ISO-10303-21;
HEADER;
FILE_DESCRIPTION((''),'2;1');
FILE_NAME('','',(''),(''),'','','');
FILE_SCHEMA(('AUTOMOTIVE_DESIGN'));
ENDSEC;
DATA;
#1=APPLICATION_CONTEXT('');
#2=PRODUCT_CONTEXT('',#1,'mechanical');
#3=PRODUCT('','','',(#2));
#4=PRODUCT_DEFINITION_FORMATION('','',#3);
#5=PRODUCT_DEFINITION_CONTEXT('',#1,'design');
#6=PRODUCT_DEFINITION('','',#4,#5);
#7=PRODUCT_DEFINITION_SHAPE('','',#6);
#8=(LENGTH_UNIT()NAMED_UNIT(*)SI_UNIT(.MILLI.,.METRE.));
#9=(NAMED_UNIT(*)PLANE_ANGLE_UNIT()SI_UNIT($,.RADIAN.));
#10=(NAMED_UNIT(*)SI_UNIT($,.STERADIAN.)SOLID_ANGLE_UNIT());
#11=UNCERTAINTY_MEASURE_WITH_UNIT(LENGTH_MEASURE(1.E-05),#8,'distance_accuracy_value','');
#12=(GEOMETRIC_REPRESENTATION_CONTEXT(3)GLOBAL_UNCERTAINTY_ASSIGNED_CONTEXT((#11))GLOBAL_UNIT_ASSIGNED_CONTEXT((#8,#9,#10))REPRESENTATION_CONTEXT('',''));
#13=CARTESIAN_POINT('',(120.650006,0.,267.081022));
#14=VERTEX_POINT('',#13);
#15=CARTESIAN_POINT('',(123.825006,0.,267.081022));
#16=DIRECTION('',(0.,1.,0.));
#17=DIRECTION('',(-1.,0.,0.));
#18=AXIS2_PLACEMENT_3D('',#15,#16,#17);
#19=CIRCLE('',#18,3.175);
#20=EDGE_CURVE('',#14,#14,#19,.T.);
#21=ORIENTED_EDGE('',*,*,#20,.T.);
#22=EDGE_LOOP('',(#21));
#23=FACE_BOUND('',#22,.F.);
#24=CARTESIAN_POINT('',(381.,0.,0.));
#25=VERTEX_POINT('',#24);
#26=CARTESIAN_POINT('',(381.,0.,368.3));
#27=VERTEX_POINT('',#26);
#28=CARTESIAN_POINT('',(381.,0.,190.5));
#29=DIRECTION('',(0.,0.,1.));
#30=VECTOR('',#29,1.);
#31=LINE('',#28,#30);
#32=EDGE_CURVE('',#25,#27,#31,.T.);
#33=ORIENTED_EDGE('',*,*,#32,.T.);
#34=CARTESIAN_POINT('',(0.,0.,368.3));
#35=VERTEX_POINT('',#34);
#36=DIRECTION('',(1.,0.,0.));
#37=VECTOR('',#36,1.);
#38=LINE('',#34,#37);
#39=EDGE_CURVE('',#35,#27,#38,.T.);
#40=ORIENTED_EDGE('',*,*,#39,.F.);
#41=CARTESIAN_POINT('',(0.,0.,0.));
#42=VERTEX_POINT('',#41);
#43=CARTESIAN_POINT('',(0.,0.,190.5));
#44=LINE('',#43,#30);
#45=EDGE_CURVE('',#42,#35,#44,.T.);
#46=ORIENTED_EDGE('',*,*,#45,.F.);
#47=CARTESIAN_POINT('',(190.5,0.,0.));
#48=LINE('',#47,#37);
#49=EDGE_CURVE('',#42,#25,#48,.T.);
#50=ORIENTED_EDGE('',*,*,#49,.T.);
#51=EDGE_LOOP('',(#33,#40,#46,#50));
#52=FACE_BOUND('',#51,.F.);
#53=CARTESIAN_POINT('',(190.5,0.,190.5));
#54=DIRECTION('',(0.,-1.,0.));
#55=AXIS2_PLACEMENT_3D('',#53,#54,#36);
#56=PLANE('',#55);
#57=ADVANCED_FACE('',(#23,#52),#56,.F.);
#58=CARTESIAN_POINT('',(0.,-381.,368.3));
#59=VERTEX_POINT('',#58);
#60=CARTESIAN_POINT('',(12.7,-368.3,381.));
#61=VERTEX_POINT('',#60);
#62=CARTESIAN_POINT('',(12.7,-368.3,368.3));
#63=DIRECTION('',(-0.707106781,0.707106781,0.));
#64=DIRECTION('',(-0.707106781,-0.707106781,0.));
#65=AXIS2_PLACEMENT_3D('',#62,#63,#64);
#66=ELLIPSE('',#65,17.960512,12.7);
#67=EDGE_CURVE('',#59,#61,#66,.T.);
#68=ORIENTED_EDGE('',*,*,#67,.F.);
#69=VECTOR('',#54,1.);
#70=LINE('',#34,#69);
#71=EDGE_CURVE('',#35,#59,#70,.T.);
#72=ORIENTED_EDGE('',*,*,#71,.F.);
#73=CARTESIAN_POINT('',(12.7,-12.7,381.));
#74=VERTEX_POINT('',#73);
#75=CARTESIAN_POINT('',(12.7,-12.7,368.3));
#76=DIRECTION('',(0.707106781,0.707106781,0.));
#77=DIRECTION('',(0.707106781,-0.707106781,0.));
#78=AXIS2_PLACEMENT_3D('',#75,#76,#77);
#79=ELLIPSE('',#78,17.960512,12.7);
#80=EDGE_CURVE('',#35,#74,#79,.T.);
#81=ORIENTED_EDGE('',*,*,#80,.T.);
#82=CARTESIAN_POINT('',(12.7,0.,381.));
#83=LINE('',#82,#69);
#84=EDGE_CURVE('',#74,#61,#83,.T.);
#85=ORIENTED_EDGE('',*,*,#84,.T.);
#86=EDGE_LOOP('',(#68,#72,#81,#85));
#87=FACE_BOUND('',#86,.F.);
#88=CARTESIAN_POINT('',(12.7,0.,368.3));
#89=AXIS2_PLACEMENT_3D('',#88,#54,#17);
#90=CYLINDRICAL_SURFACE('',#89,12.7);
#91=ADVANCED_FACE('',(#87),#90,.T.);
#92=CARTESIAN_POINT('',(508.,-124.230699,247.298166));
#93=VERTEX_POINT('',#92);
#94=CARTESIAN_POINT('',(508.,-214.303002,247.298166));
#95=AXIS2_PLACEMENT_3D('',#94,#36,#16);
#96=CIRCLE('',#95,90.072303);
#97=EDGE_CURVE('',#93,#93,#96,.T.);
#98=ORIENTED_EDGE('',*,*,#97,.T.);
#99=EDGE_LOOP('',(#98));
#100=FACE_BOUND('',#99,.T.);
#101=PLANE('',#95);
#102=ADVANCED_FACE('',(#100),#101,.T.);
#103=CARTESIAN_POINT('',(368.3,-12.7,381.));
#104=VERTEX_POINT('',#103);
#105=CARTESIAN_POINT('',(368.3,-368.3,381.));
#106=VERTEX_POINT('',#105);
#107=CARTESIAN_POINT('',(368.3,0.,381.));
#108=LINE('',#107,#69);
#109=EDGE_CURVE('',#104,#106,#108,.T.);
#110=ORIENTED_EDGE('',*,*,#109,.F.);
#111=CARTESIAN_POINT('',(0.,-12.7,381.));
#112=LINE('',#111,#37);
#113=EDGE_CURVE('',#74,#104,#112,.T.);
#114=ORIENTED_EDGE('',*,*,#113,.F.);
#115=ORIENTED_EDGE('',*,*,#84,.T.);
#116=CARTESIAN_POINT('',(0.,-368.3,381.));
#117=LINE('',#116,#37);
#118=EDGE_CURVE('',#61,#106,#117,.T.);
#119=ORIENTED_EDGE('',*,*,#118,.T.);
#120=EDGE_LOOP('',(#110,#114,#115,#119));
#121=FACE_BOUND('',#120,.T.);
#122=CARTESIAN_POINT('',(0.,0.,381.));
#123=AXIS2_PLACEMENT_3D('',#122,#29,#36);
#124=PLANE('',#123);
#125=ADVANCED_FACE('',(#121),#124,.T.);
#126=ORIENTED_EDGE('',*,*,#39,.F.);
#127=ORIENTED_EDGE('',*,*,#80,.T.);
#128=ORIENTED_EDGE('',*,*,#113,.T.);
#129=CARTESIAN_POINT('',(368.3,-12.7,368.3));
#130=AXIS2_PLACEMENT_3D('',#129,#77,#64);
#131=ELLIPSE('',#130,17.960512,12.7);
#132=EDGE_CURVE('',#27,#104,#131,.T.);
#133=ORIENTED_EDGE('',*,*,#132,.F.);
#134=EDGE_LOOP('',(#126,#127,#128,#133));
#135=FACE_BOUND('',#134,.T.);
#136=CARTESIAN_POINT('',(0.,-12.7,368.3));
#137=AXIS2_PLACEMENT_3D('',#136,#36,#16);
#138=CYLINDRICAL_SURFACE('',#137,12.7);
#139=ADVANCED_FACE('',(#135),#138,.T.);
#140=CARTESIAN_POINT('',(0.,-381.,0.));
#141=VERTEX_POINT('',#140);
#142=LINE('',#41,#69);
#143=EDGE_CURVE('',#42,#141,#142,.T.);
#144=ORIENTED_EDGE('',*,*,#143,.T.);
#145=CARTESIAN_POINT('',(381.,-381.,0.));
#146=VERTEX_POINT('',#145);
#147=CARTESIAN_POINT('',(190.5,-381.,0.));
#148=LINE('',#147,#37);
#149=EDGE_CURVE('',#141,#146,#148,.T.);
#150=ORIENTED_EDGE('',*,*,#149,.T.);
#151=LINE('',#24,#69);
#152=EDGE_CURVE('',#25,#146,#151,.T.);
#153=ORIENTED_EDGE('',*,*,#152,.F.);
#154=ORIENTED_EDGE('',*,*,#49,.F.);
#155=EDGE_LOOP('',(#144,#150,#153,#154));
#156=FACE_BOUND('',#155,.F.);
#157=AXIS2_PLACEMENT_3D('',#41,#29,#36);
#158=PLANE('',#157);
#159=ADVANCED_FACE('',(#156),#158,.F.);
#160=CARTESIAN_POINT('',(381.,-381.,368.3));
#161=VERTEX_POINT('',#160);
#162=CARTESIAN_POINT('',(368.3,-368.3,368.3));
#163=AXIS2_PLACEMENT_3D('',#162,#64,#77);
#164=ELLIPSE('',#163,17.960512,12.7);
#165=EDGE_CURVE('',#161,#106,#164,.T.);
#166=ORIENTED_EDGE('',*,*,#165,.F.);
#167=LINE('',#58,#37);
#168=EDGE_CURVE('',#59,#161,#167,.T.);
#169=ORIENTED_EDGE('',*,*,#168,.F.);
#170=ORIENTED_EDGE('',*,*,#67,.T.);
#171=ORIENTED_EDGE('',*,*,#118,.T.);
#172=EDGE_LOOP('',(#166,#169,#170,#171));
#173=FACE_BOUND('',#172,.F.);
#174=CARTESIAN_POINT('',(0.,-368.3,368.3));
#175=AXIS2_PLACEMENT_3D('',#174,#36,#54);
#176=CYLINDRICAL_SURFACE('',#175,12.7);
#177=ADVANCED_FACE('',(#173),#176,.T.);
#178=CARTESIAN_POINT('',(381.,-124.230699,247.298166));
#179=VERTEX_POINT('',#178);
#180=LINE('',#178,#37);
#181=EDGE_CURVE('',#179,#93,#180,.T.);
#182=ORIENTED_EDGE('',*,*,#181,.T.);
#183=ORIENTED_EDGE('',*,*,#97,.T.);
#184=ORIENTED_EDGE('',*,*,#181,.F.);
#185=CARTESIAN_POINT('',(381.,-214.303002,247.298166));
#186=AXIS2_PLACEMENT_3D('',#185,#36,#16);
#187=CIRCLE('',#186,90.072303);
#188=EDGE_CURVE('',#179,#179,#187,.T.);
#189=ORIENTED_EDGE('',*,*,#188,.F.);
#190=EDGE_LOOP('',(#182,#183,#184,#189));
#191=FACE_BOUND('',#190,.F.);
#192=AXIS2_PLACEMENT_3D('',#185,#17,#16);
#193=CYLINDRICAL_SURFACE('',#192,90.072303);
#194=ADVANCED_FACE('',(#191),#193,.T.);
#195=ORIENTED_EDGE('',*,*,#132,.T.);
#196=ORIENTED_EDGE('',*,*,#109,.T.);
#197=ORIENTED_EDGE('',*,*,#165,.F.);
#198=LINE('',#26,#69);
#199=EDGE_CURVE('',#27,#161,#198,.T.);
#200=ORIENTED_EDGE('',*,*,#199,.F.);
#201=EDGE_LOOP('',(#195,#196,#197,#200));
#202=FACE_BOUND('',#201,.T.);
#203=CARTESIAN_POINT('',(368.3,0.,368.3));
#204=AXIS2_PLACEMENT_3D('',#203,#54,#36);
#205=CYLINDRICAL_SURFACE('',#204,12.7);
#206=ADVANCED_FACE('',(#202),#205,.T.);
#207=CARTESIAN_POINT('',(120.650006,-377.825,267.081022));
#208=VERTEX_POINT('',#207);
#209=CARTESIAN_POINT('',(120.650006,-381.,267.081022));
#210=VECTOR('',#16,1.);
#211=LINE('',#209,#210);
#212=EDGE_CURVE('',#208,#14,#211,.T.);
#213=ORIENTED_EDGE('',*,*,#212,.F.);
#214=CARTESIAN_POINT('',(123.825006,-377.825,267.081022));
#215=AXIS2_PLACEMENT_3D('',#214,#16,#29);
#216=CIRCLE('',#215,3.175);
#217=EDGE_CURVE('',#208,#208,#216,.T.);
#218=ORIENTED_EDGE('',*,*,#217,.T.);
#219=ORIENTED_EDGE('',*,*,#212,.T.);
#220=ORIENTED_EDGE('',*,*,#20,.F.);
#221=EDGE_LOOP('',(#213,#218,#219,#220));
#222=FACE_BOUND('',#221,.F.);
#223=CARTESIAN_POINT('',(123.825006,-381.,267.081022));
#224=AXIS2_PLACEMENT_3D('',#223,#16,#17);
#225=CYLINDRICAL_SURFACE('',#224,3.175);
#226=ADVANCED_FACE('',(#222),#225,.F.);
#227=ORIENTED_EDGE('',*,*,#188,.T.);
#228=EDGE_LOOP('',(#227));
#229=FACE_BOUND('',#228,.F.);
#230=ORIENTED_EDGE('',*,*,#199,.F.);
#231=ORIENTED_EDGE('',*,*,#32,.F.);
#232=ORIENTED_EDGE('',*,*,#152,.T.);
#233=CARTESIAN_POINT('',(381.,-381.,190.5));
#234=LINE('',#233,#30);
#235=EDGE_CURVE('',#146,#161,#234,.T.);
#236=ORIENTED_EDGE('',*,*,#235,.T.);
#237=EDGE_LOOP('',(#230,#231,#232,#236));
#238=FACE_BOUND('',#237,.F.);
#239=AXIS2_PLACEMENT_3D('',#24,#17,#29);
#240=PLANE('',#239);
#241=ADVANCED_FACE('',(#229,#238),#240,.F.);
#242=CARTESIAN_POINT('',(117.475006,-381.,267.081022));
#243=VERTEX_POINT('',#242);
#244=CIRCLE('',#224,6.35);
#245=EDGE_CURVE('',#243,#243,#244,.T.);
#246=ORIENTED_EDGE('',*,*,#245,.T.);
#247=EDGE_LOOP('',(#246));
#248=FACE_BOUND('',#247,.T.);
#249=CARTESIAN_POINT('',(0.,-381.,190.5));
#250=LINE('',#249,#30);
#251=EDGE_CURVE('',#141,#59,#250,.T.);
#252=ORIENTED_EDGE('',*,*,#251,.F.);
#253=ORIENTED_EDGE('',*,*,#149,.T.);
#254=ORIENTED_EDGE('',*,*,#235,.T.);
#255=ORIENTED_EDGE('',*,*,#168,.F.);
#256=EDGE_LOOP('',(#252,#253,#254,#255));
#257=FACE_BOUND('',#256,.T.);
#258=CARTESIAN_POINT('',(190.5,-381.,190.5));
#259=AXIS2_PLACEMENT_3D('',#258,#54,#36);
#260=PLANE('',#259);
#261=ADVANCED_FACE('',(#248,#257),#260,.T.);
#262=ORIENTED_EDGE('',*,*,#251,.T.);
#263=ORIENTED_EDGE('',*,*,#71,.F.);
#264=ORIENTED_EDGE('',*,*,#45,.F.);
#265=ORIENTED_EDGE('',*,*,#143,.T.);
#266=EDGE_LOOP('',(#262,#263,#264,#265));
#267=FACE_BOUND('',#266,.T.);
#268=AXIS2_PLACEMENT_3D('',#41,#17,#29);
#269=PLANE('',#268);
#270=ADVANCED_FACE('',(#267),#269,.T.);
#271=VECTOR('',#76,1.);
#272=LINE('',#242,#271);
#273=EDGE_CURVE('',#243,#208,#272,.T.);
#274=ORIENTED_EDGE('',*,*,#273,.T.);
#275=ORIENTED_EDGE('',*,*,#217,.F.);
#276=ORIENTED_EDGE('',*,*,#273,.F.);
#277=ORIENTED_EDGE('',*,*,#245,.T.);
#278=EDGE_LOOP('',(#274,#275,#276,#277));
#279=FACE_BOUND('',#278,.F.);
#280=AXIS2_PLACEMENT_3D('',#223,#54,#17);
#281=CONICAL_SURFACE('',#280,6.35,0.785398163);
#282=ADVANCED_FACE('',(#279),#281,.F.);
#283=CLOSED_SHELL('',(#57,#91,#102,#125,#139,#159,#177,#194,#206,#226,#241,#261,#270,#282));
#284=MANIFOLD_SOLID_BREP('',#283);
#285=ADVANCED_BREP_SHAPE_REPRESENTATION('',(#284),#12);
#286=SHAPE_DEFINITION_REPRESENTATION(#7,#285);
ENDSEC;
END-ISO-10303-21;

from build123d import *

# Parameters (mm, degrees)
F0_W           = 381
F0_H           = 381
F1_DEPTH       = 381
F3_D           = 6.35
F3_CSINK_D     = 12.7
F3_CSINK_ANGLE = 90
F4_R           = 12.7
F5_R           = 90.072303
F6_DEPTH       = 127


with BuildPart() as f1:
    # F0 (on Front) → F1 (new body)
    with BuildSketch(Plane.XZ):
        with Locations((190.5, 190.5)):
            Rectangle(F0_W, F0_H)
    extrude(amount=F1_DEPTH)

    # F3 (through all)
    with Locations(Plane.XZ.offset(381)):
        with Locations((123.825006, 267.081022)):
            CounterSinkHole(F3_D / 2, F3_CSINK_D / 2, counter_sink_angle=F3_CSINK_ANGLE)

    # F4
    f4_edges = [f1.edges().sort_by_distance(p)[0] for p in [
        (381, -190.5, 381),
        (0, -190.5, 381),
        (190.5, 0, 381),
        (190.5, -381, 381),
    ]]
    fillet(f4_edges, radius=F4_R)

    # F5 (on face) → F6 (join)
    with BuildSketch(Plane.YZ.offset(381)):
        with Locations((-214.303002, 247.298166)):
            Circle(F5_R)
    extrude(amount=F6_DEPTH)


solid = f1.part
